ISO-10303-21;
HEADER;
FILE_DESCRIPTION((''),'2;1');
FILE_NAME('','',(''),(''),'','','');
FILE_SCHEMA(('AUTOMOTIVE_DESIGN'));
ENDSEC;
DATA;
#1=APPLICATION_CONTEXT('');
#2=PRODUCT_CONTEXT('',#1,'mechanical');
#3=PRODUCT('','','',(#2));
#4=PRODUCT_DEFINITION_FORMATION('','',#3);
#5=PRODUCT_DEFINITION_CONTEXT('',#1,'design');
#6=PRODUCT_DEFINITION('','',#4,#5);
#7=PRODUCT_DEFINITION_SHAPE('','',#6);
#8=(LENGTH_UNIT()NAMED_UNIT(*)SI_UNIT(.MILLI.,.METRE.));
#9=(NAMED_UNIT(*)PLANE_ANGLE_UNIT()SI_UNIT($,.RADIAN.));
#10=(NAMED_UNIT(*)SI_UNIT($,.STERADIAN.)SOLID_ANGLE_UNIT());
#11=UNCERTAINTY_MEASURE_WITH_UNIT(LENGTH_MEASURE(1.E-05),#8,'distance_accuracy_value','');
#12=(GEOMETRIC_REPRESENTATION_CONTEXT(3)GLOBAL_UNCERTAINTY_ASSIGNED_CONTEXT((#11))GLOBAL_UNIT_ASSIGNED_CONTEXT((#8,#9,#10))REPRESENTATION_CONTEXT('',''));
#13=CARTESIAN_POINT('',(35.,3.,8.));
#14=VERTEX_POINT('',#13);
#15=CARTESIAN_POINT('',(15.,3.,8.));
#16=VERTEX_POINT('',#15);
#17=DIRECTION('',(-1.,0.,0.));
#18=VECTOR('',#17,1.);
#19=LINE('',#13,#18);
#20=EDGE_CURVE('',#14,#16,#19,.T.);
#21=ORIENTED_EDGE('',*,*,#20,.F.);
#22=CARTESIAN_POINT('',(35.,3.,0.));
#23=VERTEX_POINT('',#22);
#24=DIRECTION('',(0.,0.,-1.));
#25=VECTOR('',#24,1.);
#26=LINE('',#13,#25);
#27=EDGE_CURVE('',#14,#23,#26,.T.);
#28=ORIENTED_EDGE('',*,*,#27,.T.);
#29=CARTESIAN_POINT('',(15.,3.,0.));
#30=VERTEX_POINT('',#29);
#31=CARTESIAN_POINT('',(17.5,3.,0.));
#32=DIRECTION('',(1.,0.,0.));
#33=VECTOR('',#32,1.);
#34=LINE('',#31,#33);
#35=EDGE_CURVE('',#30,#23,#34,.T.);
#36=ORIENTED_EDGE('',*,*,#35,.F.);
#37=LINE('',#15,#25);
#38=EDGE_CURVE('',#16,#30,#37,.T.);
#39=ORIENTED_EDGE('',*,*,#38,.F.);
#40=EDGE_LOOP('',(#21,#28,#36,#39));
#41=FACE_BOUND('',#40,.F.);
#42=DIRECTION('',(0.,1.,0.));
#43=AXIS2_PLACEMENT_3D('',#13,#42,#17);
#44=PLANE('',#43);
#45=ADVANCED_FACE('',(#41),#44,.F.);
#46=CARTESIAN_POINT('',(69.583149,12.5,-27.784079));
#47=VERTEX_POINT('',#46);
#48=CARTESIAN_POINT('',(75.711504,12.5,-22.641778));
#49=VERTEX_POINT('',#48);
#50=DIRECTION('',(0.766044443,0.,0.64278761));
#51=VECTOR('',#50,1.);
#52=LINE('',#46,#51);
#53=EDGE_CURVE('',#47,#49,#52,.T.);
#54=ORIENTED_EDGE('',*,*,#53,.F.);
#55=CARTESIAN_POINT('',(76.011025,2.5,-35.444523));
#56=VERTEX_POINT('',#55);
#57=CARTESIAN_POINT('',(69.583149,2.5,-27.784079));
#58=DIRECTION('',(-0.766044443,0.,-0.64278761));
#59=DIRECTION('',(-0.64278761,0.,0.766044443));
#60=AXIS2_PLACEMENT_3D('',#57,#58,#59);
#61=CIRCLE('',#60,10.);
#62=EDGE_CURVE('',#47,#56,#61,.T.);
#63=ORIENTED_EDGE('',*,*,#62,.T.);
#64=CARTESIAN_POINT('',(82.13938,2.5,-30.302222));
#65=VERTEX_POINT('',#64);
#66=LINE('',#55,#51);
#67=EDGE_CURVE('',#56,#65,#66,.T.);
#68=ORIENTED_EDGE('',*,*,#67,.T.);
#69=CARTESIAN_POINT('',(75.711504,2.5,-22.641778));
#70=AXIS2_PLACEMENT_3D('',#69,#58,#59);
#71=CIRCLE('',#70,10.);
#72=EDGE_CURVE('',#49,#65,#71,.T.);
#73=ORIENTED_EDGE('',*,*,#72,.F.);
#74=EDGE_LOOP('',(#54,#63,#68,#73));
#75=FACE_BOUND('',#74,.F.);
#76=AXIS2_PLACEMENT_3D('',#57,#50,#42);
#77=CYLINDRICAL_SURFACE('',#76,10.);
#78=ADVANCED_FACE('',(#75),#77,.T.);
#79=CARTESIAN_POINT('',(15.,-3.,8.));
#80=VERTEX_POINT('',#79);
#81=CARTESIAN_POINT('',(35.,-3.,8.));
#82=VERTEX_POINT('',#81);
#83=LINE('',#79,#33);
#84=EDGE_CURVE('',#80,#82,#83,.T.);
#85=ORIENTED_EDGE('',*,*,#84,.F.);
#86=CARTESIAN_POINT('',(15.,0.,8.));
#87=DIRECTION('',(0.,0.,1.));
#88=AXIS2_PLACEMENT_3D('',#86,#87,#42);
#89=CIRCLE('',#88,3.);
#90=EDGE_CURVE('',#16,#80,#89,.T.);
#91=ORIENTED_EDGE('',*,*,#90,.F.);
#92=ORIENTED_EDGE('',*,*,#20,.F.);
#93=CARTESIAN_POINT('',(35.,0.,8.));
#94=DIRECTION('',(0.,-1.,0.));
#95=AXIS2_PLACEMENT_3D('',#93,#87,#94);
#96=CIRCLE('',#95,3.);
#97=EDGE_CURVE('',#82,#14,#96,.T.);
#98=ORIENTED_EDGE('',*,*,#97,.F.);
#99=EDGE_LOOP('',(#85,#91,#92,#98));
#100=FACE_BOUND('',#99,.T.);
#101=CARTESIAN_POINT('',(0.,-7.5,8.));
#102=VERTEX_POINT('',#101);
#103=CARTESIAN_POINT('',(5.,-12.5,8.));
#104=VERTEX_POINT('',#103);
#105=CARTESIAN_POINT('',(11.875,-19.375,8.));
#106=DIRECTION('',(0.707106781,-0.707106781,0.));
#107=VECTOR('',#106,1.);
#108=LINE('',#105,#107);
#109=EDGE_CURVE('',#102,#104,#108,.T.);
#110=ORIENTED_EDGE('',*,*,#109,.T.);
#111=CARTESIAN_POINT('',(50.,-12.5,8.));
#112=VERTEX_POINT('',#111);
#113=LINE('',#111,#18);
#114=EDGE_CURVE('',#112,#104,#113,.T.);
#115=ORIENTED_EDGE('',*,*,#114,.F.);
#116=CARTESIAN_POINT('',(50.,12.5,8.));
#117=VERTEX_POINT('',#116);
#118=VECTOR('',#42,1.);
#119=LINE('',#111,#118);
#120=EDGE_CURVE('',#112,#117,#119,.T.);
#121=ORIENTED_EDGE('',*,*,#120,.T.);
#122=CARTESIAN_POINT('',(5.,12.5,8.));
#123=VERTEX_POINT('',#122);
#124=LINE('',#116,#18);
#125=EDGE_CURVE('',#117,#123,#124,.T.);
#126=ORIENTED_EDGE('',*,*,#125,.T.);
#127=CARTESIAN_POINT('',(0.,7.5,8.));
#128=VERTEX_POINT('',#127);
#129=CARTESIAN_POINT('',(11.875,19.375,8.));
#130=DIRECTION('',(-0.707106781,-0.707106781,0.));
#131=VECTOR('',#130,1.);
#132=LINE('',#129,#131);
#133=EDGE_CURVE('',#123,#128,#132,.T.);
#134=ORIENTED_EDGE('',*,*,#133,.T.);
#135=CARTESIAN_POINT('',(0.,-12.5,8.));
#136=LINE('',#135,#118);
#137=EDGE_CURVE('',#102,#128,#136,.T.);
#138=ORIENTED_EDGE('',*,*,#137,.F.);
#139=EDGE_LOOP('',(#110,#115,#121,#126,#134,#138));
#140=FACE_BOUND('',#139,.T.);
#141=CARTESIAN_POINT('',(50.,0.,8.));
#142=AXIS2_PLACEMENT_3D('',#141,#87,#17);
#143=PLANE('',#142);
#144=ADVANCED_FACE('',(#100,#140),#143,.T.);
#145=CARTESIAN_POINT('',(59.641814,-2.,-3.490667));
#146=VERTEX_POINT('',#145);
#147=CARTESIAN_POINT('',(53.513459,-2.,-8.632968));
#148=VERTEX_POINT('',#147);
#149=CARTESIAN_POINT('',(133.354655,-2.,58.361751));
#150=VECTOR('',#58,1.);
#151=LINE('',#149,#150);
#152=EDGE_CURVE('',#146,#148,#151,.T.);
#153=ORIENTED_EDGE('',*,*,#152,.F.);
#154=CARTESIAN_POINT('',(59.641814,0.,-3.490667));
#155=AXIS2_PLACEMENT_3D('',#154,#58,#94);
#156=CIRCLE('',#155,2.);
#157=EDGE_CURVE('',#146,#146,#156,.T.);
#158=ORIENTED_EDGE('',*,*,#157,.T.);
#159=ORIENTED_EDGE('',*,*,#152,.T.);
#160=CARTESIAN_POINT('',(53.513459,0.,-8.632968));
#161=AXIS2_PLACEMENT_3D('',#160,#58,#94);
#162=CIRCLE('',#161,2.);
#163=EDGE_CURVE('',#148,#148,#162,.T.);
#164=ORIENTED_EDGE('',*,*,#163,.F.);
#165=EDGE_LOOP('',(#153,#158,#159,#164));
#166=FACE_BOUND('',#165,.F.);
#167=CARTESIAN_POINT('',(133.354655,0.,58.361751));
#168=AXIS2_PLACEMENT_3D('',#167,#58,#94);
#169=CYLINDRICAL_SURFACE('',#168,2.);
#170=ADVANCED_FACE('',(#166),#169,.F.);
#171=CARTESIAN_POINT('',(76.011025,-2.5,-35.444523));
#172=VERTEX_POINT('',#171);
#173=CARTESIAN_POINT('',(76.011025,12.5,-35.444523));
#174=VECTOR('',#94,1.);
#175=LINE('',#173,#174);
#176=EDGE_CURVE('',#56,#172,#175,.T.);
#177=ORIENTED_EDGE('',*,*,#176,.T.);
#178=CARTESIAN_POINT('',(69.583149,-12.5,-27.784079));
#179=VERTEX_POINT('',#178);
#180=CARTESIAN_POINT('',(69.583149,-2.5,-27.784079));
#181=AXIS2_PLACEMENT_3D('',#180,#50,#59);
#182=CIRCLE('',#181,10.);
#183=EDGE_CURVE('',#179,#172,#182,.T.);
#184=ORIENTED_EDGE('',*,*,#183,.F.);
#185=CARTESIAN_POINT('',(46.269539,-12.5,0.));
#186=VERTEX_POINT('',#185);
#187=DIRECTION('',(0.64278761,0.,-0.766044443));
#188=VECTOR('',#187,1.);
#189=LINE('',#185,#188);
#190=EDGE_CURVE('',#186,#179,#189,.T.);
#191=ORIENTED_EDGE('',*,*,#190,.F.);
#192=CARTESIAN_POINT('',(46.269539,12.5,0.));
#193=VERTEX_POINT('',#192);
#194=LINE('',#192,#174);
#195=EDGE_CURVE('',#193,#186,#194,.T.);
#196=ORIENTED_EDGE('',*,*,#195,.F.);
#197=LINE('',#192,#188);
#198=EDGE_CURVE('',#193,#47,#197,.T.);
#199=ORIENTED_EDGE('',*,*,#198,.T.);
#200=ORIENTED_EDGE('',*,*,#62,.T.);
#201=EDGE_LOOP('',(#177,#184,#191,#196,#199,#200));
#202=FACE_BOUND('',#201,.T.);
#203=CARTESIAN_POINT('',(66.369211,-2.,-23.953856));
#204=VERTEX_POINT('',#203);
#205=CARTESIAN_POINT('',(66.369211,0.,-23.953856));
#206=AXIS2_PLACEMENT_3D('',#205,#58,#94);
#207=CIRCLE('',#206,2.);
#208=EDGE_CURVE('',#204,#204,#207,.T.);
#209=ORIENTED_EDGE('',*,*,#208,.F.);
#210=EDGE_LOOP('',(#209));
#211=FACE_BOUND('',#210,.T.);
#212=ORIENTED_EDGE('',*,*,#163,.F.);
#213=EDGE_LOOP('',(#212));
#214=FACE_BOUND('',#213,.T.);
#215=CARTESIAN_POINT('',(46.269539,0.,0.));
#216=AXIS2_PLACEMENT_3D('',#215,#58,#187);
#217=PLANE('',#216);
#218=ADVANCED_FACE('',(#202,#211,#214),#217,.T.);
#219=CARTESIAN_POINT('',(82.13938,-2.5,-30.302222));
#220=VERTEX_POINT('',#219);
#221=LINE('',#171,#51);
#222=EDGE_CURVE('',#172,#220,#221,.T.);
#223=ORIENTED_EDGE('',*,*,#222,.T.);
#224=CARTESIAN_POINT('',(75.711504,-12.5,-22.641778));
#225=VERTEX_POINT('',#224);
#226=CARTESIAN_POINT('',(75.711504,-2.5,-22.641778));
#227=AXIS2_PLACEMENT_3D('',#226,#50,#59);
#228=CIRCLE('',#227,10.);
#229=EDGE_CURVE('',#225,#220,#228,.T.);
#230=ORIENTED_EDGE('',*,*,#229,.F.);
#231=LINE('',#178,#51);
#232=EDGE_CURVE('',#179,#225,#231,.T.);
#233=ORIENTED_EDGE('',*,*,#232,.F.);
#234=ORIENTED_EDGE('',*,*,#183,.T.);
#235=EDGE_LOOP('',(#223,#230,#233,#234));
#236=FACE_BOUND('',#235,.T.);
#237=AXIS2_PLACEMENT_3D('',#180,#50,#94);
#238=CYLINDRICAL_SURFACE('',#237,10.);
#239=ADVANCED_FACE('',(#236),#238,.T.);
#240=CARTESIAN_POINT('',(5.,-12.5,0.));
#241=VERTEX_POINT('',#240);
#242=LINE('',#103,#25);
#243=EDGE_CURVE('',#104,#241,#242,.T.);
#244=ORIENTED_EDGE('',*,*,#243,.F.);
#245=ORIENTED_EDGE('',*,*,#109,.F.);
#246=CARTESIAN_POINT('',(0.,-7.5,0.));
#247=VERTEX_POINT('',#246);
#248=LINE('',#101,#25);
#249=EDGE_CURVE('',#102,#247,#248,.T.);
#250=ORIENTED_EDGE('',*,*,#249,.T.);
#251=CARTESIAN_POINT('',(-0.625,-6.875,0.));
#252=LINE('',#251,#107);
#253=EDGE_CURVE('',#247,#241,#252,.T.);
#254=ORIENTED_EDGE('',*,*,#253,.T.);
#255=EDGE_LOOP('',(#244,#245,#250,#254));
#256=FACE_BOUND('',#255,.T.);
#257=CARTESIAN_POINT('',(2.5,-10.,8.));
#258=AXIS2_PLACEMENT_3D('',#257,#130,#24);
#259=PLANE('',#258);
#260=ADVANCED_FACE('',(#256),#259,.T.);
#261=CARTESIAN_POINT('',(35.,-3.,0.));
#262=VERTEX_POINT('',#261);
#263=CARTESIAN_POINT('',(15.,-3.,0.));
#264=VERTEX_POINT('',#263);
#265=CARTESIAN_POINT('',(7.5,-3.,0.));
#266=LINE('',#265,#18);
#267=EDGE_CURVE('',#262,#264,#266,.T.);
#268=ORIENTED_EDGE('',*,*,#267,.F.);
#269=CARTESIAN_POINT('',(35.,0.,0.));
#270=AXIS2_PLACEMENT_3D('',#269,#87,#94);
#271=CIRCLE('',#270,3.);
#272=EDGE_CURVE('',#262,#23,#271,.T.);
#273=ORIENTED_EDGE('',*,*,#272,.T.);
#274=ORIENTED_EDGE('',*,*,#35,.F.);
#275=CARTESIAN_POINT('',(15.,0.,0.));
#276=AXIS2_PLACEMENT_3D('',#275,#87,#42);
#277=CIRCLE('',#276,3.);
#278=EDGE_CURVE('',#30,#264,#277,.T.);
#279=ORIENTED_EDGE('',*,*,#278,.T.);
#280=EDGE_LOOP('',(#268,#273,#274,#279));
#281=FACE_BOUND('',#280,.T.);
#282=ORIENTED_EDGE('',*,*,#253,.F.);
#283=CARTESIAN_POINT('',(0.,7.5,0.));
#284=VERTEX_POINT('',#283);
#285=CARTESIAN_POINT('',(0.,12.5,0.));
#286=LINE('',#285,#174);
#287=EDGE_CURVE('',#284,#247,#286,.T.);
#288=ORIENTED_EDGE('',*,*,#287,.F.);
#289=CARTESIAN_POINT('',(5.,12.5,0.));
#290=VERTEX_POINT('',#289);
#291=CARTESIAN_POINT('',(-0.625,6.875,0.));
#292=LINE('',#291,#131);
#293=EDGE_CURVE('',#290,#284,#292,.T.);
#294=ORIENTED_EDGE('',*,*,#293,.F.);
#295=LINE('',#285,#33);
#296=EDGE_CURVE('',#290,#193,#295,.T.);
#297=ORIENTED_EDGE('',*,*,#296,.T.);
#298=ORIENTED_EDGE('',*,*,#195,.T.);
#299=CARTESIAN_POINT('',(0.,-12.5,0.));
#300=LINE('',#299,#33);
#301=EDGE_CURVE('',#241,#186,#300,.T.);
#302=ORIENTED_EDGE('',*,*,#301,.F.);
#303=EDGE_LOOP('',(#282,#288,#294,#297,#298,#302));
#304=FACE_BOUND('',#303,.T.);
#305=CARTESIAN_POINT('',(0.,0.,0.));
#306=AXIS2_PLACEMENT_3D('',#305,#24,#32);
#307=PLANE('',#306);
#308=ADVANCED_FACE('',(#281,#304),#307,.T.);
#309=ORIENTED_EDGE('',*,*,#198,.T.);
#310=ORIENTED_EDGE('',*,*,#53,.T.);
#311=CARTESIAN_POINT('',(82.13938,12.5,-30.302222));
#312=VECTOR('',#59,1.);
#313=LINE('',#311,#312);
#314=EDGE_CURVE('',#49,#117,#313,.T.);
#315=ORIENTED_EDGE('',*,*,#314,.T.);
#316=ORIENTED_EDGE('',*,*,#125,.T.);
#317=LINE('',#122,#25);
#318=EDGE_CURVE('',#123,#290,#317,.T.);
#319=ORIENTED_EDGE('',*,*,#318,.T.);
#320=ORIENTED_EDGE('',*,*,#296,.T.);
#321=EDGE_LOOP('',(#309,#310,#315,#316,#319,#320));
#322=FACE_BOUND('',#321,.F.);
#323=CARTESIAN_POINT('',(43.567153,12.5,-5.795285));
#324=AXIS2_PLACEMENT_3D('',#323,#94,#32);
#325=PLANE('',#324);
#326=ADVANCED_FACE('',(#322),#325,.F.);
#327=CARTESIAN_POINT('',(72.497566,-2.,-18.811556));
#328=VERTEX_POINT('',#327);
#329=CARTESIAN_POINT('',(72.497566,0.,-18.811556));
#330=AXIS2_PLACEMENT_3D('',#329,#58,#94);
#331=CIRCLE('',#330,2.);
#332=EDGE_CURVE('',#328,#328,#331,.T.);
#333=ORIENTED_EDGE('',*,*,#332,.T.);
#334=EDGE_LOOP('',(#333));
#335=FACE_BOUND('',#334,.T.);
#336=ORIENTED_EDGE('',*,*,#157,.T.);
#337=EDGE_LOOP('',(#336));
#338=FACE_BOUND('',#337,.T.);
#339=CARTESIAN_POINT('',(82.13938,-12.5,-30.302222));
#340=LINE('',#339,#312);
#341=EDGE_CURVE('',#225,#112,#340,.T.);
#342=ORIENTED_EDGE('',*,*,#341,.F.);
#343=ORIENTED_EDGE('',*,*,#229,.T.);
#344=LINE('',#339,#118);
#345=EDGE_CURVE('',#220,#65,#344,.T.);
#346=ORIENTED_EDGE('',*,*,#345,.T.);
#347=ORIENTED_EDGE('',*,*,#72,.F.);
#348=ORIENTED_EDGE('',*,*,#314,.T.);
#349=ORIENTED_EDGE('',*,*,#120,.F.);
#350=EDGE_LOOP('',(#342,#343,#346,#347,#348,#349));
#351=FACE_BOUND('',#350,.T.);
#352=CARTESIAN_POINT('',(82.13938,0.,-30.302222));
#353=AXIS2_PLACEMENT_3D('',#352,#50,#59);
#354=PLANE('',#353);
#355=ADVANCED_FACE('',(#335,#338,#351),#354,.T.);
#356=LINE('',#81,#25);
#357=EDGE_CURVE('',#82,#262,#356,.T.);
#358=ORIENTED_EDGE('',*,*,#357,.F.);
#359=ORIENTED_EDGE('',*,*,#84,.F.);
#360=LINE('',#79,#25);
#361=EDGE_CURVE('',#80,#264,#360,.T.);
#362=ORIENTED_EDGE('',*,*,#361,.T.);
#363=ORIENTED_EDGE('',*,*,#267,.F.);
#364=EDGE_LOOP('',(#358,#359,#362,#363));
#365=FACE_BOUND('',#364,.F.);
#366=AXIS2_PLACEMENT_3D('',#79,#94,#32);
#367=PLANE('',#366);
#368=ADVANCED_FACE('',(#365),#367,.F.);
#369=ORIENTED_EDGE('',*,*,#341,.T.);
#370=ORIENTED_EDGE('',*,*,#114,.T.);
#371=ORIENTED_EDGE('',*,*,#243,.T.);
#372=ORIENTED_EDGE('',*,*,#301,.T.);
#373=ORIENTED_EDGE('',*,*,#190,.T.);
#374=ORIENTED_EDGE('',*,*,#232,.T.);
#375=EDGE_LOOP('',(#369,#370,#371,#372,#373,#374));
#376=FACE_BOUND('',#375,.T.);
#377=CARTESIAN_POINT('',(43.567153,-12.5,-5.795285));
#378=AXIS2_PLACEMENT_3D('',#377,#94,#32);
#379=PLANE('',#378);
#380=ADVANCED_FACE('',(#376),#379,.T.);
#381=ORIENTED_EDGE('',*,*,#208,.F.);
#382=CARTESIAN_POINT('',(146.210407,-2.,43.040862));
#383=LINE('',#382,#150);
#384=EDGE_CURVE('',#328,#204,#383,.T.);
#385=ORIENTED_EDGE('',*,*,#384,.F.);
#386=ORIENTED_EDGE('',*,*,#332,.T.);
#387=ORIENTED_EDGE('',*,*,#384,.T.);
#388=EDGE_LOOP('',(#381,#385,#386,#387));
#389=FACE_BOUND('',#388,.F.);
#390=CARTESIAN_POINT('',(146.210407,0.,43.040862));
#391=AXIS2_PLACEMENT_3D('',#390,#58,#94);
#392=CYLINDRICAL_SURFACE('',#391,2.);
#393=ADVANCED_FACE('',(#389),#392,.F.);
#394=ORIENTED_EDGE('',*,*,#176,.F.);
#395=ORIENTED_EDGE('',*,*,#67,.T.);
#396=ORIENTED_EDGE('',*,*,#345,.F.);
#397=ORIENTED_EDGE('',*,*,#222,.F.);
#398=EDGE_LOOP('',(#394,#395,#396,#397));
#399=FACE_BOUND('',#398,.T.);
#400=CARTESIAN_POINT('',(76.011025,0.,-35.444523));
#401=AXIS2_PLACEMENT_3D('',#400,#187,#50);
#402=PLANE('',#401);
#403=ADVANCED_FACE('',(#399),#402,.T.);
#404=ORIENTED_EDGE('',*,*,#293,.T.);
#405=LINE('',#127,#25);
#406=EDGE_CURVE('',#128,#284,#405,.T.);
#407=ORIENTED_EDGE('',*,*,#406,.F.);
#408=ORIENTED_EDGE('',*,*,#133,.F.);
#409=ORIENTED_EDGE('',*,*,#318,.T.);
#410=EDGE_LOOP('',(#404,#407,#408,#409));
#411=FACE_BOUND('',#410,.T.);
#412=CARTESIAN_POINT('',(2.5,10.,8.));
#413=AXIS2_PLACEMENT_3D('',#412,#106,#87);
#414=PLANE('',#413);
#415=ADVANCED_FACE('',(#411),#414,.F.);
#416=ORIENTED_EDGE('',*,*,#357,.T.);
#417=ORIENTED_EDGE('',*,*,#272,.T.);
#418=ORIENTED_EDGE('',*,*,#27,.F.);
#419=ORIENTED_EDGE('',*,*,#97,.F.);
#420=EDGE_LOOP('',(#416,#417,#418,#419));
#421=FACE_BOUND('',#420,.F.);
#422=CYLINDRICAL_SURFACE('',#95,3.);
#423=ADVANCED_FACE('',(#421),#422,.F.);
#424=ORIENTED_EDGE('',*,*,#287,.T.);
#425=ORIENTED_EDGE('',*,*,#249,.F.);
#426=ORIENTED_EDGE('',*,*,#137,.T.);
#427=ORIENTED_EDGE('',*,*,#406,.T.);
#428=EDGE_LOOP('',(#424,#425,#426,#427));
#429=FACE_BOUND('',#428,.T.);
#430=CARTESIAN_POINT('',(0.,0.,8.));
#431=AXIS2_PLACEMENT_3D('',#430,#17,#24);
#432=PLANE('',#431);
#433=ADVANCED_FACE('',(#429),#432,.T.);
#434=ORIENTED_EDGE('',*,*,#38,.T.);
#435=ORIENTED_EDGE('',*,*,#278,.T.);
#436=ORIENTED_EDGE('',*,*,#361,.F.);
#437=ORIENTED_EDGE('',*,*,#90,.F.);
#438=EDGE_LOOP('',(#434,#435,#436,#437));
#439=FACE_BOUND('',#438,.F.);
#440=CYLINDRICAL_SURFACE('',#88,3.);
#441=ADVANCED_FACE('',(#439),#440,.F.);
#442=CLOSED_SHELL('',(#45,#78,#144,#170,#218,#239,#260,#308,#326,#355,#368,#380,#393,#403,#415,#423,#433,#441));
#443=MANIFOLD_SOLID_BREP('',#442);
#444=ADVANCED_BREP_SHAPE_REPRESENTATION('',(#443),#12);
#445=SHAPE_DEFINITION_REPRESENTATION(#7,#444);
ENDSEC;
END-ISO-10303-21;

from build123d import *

# Parameters (mm, degrees)
F1_DEPTH = 12.5
F3_DEPTH = 43.4455230334
F5_D     = 4
F6_R     = 10
F7_SIZE  = 5


with BuildPart() as f1:
    # F0 (on Front) → F1 (new body, symmetric)
    with BuildSketch(Plane.XZ):
        Polygon((0, 8), (0, 0), (46.2695387348, 0), (76.0110249394, -35.4445230334), (82.1393804843, -30.3022221559), (50, 8), align=None)
    extrude(amount=F1_DEPTH, both=True)

    # F2 (on face) → F3 (cut, through all)
    with BuildSketch(Plane.XY.offset(8)):
        with BuildLine():
            ThreePointArc((15, 3), (12, 0), (15, -3))
            Line((15, -3), (35, -3))
            ThreePointArc((35, -3), (38, 0), (35, 3))
            Line((35, 3), (15, 3))
        make_face()
    extrude(amount=-F3_DEPTH, mode=Mode.SUBTRACT)

    # F5 (through all)
    with Locations(Plane(origin=(33.2804354537, 0, 27.9256011146), x_dir=(0, 1, 0), z_dir=(0.7660444431, 0, 0.6427876097))):
        with Locations((0, -41.0110249394), (0, -61.0110249394)):
            Hole(F5_D / 2)

    # F6
    f6_edges = [f1.edges().sort_by_distance(p)[0] for p in [
        (79.075203, -12.5, -32.873373),
        (79.075203, 12.5, -32.873373),
    ]]
    fillet(f6_edges, radius=F6_R)

    # F7
    f7_edges = [f1.edges().sort_by_distance(p)[0] for p in [
        (0, -12.5, 4),
        (0, 12.5, 4),
    ]]
    chamfer(f7_edges, length=F7_SIZE)


solid = f1.part
